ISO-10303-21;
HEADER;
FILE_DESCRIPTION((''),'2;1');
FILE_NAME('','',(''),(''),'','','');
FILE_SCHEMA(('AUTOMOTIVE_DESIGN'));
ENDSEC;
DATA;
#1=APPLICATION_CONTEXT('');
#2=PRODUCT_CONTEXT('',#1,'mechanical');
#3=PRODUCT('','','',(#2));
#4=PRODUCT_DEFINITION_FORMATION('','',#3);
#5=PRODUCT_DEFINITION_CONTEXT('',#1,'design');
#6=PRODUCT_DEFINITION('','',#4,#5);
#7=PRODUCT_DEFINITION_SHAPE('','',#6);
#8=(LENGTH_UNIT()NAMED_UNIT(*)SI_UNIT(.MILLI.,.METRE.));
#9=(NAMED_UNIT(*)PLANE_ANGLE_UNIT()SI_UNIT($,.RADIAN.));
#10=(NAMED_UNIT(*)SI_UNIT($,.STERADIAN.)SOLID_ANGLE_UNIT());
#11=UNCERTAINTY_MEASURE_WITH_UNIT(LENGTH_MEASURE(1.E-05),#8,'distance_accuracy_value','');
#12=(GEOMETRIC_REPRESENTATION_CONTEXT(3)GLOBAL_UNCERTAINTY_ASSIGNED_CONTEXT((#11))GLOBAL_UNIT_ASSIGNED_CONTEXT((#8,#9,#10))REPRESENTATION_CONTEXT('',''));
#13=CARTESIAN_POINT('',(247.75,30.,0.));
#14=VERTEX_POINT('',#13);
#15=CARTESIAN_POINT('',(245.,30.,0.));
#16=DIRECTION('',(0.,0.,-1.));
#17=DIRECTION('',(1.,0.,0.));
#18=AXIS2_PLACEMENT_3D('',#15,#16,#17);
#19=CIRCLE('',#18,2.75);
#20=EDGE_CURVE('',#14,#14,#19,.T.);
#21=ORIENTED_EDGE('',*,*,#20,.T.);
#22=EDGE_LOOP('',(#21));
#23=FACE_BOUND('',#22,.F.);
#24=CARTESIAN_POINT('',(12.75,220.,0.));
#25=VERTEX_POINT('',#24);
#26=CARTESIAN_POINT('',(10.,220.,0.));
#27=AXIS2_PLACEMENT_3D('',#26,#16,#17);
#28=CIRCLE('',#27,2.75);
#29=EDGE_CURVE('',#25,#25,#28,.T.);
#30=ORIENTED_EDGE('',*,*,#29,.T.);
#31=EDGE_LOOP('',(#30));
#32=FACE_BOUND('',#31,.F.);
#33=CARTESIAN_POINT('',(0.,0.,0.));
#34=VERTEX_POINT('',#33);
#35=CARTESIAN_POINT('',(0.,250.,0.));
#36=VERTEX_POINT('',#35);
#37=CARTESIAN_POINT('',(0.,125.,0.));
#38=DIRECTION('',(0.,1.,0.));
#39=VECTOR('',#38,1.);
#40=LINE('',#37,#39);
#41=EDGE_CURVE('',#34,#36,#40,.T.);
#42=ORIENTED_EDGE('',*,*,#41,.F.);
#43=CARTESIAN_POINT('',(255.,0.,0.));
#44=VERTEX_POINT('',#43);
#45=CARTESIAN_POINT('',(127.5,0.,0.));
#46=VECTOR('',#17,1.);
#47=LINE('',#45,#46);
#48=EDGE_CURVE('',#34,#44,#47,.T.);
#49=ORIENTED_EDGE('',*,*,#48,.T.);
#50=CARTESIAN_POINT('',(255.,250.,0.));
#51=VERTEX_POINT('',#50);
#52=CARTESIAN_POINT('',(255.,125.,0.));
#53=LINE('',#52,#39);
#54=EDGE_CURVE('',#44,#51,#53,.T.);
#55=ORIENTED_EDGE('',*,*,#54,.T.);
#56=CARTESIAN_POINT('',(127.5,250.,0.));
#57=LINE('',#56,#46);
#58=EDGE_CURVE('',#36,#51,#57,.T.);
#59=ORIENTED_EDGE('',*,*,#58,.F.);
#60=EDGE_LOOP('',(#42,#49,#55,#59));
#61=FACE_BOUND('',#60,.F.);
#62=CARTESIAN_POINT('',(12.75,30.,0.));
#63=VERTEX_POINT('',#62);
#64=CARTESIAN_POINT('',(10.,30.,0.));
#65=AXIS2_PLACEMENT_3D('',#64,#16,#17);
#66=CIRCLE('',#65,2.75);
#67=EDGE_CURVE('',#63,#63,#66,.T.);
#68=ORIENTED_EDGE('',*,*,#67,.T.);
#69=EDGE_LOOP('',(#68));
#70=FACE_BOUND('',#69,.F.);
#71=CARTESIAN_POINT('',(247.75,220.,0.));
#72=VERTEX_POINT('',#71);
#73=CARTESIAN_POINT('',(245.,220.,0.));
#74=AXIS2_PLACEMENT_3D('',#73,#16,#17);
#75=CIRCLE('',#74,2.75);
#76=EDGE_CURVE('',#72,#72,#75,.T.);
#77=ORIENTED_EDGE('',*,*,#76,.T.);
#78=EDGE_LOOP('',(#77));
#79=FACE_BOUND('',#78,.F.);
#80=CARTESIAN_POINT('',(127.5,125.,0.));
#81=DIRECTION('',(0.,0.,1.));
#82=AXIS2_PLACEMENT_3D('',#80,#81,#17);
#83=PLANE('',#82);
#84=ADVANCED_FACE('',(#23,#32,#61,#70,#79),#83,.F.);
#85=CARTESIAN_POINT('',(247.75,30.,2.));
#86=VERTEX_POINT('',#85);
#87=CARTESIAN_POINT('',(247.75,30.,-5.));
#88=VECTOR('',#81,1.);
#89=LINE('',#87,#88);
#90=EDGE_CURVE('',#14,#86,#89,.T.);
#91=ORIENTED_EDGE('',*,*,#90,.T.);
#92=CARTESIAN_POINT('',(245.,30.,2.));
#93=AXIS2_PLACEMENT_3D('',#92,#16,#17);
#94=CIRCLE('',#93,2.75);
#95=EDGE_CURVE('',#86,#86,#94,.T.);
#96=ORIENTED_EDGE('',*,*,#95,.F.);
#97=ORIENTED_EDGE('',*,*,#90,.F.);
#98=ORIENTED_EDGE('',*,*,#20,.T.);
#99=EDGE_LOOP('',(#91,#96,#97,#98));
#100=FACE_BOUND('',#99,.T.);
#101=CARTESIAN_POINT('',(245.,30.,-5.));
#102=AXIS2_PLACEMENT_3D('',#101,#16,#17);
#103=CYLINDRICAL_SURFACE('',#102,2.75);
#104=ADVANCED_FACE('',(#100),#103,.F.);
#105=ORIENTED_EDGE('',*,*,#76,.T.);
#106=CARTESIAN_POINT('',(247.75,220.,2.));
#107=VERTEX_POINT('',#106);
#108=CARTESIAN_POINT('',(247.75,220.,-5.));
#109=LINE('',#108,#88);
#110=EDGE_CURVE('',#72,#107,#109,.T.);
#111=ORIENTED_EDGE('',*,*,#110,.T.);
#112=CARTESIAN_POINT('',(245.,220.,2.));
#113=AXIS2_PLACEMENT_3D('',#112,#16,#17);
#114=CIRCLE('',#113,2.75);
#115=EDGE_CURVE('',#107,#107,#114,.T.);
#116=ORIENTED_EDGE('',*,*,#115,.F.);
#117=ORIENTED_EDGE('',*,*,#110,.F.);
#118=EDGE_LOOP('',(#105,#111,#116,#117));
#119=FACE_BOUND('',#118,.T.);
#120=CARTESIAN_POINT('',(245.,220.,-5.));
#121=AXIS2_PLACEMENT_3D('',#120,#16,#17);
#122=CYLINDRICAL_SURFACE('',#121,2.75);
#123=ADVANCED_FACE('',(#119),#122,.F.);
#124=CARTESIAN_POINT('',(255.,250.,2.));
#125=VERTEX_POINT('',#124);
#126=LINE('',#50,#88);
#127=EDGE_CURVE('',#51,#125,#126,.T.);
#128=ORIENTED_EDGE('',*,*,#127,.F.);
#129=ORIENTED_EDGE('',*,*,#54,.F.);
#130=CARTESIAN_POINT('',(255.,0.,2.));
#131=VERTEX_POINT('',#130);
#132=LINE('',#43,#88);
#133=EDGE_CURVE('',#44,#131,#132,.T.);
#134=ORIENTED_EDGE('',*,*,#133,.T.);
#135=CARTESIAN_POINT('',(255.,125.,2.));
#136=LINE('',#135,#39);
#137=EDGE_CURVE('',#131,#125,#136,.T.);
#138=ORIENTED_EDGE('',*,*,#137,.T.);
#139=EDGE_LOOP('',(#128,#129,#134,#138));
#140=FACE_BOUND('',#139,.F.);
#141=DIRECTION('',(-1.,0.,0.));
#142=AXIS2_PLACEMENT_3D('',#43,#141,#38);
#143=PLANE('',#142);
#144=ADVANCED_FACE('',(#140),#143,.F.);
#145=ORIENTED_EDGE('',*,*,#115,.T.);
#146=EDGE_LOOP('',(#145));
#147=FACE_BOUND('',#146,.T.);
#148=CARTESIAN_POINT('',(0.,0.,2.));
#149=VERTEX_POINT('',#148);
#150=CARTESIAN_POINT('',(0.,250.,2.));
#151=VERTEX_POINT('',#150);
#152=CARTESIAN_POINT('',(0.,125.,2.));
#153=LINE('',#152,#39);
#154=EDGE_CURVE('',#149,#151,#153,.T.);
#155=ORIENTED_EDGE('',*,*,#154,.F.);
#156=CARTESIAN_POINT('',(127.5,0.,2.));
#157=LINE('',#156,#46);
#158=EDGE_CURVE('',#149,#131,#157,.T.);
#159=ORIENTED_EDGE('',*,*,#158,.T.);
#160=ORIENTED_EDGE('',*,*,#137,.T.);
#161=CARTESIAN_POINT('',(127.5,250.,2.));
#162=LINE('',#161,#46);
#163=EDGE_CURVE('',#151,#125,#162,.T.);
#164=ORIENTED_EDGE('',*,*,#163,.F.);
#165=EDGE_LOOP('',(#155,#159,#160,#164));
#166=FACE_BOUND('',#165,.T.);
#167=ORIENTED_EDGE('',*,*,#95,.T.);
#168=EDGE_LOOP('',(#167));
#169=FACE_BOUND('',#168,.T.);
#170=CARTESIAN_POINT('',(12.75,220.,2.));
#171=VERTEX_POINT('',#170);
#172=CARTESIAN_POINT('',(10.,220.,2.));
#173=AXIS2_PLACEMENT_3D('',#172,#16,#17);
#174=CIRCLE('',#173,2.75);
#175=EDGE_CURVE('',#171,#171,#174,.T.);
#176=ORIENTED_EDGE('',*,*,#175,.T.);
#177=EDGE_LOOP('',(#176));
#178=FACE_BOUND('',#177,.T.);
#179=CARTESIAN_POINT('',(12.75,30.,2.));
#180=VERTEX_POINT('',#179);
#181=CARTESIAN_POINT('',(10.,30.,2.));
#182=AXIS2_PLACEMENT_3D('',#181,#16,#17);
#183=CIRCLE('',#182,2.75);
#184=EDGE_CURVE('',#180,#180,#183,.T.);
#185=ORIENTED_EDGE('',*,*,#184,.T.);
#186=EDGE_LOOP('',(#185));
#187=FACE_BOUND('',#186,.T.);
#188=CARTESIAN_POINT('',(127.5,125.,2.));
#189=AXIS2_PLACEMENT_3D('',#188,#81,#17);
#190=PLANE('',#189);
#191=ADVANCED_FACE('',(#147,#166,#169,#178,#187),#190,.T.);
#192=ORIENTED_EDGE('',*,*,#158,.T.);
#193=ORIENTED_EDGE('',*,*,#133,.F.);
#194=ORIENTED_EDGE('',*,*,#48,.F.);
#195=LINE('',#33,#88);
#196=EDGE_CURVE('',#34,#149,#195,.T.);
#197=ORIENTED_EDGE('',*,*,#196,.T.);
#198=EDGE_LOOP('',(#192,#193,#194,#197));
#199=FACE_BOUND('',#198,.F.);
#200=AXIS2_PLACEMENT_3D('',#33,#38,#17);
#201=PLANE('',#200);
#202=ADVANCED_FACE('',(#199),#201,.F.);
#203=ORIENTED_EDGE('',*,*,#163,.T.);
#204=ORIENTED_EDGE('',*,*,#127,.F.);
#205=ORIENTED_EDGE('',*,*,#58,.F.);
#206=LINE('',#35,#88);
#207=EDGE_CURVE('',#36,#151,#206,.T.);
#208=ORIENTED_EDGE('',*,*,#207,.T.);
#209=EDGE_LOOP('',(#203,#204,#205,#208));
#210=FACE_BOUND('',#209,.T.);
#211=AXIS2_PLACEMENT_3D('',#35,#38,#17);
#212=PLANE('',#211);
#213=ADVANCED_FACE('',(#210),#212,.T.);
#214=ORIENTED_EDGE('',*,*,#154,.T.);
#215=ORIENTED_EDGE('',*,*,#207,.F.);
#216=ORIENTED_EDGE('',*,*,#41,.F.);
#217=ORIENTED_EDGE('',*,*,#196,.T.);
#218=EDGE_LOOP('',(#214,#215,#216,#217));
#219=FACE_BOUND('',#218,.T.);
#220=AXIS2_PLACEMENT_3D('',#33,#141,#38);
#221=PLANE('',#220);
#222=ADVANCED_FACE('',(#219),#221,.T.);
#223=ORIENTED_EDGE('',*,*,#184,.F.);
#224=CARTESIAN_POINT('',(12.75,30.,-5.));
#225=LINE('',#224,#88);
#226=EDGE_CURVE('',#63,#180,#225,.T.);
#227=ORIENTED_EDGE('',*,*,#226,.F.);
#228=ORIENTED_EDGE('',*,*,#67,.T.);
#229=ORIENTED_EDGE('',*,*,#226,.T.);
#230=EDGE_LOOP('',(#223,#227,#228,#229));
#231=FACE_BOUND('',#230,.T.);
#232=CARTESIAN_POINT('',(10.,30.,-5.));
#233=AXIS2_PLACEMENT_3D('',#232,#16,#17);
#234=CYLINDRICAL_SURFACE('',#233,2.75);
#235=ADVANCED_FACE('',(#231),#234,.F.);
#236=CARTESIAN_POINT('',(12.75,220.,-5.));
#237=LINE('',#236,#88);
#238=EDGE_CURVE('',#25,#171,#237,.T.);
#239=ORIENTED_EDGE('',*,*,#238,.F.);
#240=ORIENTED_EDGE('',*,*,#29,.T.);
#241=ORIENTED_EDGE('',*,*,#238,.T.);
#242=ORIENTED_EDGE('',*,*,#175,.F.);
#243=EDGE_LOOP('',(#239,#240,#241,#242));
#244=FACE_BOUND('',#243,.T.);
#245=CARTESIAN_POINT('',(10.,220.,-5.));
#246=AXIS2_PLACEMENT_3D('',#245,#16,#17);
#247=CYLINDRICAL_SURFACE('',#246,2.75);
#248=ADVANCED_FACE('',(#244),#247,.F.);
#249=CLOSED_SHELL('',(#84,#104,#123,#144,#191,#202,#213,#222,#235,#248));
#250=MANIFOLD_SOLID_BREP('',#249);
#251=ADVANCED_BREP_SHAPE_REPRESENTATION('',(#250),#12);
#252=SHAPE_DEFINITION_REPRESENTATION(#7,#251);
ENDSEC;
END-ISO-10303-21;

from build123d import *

# Parameters (mm, degrees)
CYLINDER007_R     = 2.75
CYLINDER007_DEPTH = 10
CYLINDER006_R     = 2.75
CYLINDER006_DEPTH = 10
CYLINDER005_R     = 2.75
CYLINDER005_DEPTH = 10
CYLINDER004_R     = 2.75
CYLINDER004_DEPTH = 10
BOX001_W          = 255
BOX001_H          = 250
BOX001_DEPTH      = 2


with BuildPart() as cylinder007:
    # Cylinder007 → Cylinder007 (new body)
    with BuildSketch(Plane(origin=(245, 220, -5), x_dir=(1, 0, 0), z_dir=(0, 0, 1))):
        Circle(CYLINDER007_R)
    extrude(amount=CYLINDER007_DEPTH)


with BuildPart() as cylinder006:
    # Cylinder006 → Cylinder006 (new body)
    with BuildSketch(Plane(origin=(245, 30, -5), x_dir=(1, 0, 0), z_dir=(0, 0, 1))):
        Circle(CYLINDER006_R)
    extrude(amount=CYLINDER006_DEPTH)


with BuildPart() as cylinder005:
    # Cylinder005 → Cylinder005 (new body)
    with BuildSketch(Plane(origin=(10, 220, -5), x_dir=(1, 0, 0), z_dir=(0, 0, 1))):
        Circle(CYLINDER005_R)
    extrude(amount=CYLINDER005_DEPTH)


with BuildPart() as cylinder004:
    # Cylinder004 → Cylinder004 (new body)
    with BuildSketch(Plane(origin=(10, 30, -5), x_dir=(1, 0, 0), z_dir=(0, 0, 1))):
        Circle(CYLINDER004_R)
    extrude(amount=CYLINDER004_DEPTH)


with BuildPart() as back:
    # Box001 → Box001 (new body)
    with BuildSketch(Plane.XY.offset(0)):
        with Locations((127.5, 125)):
            Rectangle(BOX001_W, BOX001_H)
    extrude(amount=BOX001_DEPTH)

    # Cut004: cut Cylinder004
    add(cylinder004.part, mode=Mode.SUBTRACT)

    # Cut005: cut Cylinder005
    add(cylinder005.part, mode=Mode.SUBTRACT)

    # Cut006: cut Cylinder006
    add(cylinder006.part, mode=Mode.SUBTRACT)

    # Cut007: cut Cylinder007
    add(cylinder007.part, mode=Mode.SUBTRACT)


solid = back.part
